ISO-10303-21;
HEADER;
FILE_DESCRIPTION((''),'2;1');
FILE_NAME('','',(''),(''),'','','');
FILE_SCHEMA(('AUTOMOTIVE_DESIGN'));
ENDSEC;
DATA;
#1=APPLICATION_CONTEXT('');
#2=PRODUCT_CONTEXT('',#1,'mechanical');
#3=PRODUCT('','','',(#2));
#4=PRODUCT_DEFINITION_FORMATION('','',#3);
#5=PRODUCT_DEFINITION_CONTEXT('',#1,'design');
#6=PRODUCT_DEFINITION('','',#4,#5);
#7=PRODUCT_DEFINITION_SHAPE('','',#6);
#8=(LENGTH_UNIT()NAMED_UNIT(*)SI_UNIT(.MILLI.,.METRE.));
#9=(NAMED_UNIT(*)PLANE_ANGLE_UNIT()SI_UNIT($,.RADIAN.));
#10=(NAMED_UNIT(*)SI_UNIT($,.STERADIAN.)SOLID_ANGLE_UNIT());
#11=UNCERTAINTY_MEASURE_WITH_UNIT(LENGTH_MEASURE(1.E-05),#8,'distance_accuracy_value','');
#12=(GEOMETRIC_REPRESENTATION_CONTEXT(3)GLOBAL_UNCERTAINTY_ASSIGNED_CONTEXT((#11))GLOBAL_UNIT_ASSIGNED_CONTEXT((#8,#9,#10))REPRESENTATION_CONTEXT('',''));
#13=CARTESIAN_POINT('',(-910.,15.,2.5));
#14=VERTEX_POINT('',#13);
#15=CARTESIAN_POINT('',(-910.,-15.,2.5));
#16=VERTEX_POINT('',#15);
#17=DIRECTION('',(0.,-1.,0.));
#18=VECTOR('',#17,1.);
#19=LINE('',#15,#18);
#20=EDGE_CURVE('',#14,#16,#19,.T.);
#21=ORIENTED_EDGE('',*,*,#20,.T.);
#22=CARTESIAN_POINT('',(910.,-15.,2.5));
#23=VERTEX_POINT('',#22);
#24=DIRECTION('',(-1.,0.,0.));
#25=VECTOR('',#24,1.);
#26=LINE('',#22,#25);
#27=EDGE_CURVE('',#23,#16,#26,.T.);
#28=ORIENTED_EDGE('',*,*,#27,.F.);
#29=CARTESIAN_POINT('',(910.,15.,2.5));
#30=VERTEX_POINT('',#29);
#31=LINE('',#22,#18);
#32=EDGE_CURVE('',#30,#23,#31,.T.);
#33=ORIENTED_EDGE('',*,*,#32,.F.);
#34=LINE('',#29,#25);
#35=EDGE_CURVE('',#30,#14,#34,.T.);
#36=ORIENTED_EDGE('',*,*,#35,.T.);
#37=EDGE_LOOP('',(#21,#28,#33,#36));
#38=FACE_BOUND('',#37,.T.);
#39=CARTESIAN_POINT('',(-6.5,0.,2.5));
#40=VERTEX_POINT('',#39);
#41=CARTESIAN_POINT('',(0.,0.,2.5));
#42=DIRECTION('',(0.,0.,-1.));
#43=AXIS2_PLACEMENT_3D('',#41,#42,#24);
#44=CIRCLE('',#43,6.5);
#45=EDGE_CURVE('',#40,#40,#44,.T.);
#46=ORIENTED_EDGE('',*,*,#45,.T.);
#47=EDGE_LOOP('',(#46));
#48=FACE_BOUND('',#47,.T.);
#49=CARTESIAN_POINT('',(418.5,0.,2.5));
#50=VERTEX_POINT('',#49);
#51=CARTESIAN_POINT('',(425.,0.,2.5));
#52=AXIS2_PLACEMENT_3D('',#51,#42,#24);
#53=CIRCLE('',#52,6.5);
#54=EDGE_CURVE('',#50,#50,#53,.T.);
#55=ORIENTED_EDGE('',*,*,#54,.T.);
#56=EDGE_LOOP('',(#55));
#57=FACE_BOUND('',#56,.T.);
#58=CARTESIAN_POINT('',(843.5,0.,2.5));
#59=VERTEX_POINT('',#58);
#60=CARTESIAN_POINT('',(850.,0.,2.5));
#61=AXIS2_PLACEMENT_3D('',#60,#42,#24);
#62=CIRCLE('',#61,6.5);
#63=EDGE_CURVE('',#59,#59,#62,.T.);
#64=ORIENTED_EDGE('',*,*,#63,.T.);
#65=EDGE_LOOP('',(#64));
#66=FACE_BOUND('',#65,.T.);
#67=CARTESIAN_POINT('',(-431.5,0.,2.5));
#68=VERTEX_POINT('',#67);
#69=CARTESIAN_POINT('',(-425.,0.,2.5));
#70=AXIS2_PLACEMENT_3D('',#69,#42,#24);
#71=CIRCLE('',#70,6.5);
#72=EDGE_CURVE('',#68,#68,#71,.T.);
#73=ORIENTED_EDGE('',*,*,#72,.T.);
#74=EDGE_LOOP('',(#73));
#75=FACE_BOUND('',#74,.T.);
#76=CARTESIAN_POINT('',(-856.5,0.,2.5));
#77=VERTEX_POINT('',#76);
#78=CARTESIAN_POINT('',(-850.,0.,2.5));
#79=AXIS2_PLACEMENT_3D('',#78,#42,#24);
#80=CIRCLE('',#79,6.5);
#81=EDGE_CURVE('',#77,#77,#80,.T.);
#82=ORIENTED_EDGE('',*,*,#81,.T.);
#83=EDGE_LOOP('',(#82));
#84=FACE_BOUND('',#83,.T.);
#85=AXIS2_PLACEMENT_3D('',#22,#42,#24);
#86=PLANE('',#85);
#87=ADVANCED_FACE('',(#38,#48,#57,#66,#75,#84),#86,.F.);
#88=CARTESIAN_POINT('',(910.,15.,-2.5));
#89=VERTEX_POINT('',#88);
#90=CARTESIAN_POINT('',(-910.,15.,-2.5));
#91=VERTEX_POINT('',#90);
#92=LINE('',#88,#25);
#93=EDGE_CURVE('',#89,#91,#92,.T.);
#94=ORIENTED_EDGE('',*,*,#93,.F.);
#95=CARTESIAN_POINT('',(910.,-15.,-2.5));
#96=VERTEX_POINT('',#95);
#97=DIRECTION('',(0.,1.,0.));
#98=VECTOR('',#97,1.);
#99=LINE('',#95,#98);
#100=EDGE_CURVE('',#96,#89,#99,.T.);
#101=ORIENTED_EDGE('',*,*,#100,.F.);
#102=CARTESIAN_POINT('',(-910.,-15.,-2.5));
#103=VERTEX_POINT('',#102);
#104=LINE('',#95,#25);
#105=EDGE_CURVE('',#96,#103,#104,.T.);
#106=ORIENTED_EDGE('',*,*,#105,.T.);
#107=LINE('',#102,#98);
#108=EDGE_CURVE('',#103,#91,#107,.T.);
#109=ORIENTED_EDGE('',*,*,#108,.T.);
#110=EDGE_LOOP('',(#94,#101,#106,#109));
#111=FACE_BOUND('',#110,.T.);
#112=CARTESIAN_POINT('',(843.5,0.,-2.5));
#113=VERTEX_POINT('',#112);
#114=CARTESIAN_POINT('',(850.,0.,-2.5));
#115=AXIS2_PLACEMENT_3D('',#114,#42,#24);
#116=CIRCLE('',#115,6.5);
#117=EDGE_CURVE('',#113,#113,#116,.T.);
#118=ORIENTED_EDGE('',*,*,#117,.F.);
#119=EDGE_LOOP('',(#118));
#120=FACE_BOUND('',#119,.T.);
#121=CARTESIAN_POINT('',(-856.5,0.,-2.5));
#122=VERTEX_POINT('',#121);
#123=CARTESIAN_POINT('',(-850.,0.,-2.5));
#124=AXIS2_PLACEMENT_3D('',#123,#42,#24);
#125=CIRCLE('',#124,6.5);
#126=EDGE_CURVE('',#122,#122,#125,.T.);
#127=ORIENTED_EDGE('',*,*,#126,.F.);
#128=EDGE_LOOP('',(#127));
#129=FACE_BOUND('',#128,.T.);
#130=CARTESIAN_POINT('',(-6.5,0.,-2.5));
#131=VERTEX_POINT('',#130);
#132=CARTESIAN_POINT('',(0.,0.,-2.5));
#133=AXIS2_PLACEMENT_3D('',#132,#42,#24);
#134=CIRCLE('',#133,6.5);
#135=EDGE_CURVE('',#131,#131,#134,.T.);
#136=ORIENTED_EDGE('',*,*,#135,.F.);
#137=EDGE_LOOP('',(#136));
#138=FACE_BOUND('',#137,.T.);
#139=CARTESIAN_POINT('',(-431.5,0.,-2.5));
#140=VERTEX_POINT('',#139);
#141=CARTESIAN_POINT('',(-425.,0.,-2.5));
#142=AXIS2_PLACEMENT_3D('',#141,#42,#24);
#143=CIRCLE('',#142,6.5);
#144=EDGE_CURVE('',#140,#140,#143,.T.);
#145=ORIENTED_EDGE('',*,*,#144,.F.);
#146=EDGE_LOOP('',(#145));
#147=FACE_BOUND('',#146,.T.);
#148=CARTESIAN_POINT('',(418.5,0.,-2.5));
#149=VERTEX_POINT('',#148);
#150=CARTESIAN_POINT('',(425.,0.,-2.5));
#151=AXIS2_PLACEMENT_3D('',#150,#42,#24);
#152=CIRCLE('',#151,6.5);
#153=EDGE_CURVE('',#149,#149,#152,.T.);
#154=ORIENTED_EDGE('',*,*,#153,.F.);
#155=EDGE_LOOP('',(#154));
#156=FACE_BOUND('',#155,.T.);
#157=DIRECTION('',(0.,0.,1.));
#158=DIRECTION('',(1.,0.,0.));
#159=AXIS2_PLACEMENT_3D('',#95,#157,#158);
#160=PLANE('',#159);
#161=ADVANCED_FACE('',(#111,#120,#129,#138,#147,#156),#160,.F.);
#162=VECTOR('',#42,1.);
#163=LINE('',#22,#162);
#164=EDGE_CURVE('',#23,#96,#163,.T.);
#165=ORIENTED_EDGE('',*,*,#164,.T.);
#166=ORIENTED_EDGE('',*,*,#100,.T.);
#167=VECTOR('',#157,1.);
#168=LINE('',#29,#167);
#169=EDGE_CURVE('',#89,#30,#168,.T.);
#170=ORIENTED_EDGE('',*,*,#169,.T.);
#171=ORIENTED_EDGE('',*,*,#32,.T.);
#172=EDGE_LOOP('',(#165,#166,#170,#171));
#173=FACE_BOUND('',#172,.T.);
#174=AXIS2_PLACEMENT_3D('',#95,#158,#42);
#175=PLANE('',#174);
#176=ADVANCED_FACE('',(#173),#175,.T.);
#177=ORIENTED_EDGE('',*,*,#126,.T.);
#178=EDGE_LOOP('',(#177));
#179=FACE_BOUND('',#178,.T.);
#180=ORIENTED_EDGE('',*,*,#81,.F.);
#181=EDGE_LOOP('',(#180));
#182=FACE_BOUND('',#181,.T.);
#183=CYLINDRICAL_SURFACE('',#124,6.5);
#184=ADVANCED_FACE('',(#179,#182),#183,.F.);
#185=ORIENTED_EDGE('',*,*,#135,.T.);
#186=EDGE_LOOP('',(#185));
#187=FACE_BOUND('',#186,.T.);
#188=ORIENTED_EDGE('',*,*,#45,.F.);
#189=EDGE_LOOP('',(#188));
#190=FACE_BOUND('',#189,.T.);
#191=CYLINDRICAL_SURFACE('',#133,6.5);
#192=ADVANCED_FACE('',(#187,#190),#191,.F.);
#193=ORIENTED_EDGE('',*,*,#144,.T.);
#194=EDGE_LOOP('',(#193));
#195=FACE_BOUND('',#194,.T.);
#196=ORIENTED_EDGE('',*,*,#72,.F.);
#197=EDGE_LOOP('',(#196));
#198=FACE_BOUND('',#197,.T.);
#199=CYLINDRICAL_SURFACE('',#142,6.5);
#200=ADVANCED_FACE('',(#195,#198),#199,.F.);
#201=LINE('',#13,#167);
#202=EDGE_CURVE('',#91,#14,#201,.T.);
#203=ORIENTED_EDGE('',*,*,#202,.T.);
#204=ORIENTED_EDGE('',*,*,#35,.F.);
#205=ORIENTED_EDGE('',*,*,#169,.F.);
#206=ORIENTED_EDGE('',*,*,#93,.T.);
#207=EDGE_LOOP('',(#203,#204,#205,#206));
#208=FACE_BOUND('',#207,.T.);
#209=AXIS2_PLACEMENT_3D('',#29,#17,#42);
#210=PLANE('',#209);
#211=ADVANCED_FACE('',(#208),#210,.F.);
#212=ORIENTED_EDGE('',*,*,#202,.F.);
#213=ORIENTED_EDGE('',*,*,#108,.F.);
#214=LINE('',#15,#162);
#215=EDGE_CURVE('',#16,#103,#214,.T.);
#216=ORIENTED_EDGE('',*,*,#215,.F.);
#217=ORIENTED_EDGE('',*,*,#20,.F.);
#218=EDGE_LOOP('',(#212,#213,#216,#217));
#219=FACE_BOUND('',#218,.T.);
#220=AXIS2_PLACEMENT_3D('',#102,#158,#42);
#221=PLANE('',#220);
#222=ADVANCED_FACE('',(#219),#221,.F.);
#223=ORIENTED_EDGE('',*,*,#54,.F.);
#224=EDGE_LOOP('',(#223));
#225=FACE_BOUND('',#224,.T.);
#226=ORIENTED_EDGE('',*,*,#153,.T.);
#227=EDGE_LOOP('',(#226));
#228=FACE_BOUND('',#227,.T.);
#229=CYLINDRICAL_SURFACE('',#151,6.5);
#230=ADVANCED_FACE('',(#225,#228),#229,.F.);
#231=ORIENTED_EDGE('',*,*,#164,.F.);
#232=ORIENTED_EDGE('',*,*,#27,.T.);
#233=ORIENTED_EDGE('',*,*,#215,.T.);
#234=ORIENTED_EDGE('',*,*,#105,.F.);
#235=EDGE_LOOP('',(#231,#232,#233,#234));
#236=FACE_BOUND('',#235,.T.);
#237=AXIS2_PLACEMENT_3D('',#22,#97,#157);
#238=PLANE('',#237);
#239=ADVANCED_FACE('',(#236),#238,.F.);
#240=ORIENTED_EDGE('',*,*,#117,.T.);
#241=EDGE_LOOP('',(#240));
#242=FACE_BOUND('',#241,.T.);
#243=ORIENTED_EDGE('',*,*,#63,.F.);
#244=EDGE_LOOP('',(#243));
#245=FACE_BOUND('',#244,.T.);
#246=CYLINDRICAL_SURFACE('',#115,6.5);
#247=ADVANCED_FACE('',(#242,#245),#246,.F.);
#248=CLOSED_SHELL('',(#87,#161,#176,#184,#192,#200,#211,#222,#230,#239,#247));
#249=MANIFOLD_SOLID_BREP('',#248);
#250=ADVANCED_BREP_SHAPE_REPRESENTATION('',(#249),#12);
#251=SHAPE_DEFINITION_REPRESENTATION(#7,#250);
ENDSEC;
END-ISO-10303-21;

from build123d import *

# Parameters (mm, degrees)
PLAT_W                          = 30
PLAT_H                          = 5
EL_MENT_M_CANO_SOUD_1_DEPTH     = 1820
DIAM_TRE_DU_PER_AGE_13_0_13_1_D = 13
R_P_TITION_LIN_AIRE2_COUNT      = 5
R_P_TITION_LIN_AIRE2_PITCH      = 425


with BuildPart() as part:
    # plat → Elément mécano-soudé1 (new body)
    with BuildSketch(Plane.YZ.offset(-910)):
        Rectangle(PLAT_W, PLAT_H)
    extrude(amount=EL_MENT_M_CANO_SOUD_1_DEPTH)

    # Diamètre du perçage Ø13.0 (13)1 (through all)
    with Locations(Plane(origin=(0, 0, -2.5), x_dir=(-1, 0, 0), z_dir=(0, 0, -1))):
        with Locations((850, 0)):
            diam_tre_du_per_age_13_0_13_1 = Hole(DIAM_TRE_DU_PER_AGE_13_0_13_1_D / 2)

    # Répétition linéaire2: Diamètre du perçage Ø13.0 (13)1 ×5
    with Locations(*[(i * R_P_TITION_LIN_AIRE2_PITCH, 0, 0) for i in range(1, R_P_TITION_LIN_AIRE2_COUNT)]):
        add(diam_tre_du_per_age_13_0_13_1, mode=Mode.SUBTRACT)


solid = part.part
